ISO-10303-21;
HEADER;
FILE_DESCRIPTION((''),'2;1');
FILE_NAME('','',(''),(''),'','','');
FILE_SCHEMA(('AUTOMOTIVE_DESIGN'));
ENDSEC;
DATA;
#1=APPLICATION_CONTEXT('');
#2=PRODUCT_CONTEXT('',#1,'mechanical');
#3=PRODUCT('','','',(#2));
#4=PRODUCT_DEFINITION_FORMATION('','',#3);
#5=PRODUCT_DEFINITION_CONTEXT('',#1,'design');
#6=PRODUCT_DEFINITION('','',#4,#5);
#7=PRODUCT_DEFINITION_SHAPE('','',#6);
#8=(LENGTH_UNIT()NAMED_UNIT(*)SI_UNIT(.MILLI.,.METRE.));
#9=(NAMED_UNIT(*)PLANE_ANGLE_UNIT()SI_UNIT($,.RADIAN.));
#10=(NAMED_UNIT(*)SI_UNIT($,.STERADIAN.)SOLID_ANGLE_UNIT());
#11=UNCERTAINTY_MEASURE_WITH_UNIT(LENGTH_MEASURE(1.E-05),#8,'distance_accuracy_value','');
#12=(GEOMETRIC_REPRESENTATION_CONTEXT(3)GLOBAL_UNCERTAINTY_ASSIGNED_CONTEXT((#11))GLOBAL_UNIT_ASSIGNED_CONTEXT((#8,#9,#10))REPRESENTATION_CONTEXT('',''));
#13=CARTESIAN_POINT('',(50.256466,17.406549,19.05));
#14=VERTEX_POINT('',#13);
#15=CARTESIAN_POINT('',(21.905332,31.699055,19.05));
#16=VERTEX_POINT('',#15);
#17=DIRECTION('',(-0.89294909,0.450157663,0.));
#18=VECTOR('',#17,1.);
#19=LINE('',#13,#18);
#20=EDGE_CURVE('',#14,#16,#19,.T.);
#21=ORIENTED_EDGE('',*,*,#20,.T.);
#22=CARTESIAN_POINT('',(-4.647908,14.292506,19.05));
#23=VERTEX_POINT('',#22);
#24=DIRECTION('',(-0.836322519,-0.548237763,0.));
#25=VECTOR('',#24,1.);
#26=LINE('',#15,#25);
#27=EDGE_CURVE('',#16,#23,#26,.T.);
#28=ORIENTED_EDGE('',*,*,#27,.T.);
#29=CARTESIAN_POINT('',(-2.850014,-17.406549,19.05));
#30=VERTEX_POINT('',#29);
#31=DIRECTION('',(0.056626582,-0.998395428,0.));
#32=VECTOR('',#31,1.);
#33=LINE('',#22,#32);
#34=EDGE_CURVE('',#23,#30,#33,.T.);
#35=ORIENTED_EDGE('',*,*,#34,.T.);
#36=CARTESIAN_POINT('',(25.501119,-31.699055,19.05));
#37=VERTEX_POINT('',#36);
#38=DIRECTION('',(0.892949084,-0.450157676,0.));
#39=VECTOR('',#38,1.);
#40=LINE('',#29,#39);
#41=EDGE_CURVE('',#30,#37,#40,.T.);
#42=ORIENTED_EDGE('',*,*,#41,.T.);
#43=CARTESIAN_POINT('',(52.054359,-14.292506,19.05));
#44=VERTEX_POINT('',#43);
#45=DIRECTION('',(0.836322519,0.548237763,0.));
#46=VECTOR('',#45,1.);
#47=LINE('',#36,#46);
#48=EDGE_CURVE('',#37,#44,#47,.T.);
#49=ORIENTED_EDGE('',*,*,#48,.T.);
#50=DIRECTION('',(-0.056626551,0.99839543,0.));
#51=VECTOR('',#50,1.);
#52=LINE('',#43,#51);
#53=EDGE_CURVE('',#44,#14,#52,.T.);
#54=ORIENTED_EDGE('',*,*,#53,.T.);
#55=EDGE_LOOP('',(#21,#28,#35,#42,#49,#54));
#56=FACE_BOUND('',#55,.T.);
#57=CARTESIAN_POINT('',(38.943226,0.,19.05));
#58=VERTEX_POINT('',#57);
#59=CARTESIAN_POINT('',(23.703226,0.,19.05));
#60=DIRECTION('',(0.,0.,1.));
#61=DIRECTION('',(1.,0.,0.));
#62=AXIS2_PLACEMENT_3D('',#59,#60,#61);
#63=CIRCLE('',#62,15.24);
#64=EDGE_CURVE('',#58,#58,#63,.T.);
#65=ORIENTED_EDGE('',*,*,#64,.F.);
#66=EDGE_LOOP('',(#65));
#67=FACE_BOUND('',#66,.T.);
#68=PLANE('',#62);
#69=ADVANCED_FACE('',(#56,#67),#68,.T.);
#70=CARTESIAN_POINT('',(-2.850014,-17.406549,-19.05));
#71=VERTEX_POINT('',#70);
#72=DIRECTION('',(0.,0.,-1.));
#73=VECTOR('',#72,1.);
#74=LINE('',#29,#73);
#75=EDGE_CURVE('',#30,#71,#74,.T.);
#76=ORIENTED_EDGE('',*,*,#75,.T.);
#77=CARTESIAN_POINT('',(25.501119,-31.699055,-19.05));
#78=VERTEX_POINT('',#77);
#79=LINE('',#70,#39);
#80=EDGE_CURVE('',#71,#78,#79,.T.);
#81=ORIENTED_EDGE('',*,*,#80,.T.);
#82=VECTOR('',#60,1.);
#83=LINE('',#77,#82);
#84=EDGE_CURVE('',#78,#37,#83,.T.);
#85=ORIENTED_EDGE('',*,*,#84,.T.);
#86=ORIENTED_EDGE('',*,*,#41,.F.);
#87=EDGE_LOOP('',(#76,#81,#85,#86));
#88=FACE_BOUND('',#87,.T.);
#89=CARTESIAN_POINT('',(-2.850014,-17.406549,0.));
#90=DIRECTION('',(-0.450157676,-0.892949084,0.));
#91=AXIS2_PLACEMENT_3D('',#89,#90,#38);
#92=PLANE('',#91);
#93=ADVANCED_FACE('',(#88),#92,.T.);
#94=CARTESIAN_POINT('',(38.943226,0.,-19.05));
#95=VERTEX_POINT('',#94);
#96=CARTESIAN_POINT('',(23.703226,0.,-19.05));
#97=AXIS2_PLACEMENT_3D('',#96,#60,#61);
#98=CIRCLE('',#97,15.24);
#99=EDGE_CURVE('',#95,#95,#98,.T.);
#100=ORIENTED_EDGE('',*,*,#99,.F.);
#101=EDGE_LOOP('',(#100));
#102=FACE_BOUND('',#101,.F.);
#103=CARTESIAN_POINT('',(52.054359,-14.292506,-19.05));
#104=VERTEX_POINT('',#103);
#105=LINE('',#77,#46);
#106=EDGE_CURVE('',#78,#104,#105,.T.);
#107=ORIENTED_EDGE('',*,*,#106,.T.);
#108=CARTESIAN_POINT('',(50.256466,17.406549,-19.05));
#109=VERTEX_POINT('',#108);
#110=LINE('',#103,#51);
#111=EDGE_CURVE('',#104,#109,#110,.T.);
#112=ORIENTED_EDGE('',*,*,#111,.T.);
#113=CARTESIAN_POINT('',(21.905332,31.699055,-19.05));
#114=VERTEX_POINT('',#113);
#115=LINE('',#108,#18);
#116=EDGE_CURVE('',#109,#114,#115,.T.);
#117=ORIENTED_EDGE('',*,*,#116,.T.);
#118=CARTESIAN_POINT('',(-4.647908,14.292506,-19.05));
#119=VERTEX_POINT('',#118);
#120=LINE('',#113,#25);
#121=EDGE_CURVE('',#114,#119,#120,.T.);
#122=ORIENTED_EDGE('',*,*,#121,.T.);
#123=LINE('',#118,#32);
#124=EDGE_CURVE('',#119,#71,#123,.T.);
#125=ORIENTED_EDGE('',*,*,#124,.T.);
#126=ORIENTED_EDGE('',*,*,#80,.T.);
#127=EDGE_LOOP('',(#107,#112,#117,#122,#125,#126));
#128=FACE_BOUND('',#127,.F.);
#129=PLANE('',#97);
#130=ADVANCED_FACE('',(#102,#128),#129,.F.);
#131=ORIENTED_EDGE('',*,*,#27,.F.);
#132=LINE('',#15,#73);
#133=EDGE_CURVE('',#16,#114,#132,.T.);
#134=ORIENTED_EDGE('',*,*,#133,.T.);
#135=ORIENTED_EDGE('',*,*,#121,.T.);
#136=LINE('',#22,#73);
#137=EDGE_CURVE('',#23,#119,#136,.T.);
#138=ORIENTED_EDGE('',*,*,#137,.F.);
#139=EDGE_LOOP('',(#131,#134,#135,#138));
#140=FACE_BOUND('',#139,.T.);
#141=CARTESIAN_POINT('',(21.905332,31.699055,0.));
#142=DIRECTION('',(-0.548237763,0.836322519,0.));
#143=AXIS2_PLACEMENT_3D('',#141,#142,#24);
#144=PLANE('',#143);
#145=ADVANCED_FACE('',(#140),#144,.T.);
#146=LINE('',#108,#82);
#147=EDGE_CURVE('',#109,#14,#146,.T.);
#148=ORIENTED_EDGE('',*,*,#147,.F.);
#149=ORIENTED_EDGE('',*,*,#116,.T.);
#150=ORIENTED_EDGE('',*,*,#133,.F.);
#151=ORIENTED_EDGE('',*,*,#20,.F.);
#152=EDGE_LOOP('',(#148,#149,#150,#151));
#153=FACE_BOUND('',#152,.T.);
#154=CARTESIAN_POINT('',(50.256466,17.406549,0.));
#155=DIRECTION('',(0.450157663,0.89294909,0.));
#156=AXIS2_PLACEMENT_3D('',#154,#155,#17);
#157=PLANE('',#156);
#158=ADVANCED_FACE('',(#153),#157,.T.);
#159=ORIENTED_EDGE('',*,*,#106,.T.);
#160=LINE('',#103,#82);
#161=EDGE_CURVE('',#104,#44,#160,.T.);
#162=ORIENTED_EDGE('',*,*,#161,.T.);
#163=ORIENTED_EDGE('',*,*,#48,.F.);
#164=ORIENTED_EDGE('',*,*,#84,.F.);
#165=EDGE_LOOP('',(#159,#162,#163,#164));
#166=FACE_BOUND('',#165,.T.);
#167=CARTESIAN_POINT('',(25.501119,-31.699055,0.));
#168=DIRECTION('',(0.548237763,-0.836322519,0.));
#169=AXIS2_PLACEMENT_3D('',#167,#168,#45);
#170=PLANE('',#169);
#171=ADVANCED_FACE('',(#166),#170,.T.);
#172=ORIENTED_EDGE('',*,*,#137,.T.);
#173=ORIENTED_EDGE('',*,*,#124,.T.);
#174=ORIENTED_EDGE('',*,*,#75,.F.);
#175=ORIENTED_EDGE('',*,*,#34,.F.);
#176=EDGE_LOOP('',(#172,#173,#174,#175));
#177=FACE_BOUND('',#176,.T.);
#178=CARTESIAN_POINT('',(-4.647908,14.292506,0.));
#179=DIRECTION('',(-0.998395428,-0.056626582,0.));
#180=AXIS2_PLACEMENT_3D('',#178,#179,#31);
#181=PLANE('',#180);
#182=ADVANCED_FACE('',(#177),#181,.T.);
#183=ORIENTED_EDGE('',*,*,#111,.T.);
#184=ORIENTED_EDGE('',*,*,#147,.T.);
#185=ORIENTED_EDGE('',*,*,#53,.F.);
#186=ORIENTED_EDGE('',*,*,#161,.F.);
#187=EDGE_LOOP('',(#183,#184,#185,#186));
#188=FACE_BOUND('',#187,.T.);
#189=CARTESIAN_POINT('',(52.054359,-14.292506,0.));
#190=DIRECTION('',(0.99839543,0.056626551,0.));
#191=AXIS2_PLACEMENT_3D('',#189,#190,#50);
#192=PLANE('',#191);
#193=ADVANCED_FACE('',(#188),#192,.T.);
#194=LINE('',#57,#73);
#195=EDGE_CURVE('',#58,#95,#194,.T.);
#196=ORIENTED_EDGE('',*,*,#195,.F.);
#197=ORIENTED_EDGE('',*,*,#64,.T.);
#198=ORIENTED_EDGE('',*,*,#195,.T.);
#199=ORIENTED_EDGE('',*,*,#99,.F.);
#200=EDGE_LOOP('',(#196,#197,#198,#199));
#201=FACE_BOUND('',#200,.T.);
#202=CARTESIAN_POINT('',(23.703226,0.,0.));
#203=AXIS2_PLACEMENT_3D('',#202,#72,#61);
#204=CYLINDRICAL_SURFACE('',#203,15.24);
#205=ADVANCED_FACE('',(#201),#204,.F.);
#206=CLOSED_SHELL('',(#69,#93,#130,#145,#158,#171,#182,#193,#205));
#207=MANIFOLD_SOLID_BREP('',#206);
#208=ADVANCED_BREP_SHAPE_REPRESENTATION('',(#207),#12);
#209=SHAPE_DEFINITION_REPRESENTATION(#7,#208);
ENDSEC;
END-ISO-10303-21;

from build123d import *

# Parameters (mm, degrees)
F0_R     = 15.24
F1_DEPTH = 19.05


with BuildPart() as f1:
    # F0 (on Top) → F1 (new body, symmetric)
    with BuildSketch(Plane.XY):
        Polygon((-2.850014, -17.406549), (25.501119, -31.699055), (52.054359, -14.292506), (50.256466, 17.406549), (21.905332, 31.699055), (-4.647908, 14.292506), align=None)
        with Locations((23.703226, 0)):
            Circle(F0_R, mode=Mode.SUBTRACT)
    extrude(amount=F1_DEPTH, both=True)


solid = f1.part
